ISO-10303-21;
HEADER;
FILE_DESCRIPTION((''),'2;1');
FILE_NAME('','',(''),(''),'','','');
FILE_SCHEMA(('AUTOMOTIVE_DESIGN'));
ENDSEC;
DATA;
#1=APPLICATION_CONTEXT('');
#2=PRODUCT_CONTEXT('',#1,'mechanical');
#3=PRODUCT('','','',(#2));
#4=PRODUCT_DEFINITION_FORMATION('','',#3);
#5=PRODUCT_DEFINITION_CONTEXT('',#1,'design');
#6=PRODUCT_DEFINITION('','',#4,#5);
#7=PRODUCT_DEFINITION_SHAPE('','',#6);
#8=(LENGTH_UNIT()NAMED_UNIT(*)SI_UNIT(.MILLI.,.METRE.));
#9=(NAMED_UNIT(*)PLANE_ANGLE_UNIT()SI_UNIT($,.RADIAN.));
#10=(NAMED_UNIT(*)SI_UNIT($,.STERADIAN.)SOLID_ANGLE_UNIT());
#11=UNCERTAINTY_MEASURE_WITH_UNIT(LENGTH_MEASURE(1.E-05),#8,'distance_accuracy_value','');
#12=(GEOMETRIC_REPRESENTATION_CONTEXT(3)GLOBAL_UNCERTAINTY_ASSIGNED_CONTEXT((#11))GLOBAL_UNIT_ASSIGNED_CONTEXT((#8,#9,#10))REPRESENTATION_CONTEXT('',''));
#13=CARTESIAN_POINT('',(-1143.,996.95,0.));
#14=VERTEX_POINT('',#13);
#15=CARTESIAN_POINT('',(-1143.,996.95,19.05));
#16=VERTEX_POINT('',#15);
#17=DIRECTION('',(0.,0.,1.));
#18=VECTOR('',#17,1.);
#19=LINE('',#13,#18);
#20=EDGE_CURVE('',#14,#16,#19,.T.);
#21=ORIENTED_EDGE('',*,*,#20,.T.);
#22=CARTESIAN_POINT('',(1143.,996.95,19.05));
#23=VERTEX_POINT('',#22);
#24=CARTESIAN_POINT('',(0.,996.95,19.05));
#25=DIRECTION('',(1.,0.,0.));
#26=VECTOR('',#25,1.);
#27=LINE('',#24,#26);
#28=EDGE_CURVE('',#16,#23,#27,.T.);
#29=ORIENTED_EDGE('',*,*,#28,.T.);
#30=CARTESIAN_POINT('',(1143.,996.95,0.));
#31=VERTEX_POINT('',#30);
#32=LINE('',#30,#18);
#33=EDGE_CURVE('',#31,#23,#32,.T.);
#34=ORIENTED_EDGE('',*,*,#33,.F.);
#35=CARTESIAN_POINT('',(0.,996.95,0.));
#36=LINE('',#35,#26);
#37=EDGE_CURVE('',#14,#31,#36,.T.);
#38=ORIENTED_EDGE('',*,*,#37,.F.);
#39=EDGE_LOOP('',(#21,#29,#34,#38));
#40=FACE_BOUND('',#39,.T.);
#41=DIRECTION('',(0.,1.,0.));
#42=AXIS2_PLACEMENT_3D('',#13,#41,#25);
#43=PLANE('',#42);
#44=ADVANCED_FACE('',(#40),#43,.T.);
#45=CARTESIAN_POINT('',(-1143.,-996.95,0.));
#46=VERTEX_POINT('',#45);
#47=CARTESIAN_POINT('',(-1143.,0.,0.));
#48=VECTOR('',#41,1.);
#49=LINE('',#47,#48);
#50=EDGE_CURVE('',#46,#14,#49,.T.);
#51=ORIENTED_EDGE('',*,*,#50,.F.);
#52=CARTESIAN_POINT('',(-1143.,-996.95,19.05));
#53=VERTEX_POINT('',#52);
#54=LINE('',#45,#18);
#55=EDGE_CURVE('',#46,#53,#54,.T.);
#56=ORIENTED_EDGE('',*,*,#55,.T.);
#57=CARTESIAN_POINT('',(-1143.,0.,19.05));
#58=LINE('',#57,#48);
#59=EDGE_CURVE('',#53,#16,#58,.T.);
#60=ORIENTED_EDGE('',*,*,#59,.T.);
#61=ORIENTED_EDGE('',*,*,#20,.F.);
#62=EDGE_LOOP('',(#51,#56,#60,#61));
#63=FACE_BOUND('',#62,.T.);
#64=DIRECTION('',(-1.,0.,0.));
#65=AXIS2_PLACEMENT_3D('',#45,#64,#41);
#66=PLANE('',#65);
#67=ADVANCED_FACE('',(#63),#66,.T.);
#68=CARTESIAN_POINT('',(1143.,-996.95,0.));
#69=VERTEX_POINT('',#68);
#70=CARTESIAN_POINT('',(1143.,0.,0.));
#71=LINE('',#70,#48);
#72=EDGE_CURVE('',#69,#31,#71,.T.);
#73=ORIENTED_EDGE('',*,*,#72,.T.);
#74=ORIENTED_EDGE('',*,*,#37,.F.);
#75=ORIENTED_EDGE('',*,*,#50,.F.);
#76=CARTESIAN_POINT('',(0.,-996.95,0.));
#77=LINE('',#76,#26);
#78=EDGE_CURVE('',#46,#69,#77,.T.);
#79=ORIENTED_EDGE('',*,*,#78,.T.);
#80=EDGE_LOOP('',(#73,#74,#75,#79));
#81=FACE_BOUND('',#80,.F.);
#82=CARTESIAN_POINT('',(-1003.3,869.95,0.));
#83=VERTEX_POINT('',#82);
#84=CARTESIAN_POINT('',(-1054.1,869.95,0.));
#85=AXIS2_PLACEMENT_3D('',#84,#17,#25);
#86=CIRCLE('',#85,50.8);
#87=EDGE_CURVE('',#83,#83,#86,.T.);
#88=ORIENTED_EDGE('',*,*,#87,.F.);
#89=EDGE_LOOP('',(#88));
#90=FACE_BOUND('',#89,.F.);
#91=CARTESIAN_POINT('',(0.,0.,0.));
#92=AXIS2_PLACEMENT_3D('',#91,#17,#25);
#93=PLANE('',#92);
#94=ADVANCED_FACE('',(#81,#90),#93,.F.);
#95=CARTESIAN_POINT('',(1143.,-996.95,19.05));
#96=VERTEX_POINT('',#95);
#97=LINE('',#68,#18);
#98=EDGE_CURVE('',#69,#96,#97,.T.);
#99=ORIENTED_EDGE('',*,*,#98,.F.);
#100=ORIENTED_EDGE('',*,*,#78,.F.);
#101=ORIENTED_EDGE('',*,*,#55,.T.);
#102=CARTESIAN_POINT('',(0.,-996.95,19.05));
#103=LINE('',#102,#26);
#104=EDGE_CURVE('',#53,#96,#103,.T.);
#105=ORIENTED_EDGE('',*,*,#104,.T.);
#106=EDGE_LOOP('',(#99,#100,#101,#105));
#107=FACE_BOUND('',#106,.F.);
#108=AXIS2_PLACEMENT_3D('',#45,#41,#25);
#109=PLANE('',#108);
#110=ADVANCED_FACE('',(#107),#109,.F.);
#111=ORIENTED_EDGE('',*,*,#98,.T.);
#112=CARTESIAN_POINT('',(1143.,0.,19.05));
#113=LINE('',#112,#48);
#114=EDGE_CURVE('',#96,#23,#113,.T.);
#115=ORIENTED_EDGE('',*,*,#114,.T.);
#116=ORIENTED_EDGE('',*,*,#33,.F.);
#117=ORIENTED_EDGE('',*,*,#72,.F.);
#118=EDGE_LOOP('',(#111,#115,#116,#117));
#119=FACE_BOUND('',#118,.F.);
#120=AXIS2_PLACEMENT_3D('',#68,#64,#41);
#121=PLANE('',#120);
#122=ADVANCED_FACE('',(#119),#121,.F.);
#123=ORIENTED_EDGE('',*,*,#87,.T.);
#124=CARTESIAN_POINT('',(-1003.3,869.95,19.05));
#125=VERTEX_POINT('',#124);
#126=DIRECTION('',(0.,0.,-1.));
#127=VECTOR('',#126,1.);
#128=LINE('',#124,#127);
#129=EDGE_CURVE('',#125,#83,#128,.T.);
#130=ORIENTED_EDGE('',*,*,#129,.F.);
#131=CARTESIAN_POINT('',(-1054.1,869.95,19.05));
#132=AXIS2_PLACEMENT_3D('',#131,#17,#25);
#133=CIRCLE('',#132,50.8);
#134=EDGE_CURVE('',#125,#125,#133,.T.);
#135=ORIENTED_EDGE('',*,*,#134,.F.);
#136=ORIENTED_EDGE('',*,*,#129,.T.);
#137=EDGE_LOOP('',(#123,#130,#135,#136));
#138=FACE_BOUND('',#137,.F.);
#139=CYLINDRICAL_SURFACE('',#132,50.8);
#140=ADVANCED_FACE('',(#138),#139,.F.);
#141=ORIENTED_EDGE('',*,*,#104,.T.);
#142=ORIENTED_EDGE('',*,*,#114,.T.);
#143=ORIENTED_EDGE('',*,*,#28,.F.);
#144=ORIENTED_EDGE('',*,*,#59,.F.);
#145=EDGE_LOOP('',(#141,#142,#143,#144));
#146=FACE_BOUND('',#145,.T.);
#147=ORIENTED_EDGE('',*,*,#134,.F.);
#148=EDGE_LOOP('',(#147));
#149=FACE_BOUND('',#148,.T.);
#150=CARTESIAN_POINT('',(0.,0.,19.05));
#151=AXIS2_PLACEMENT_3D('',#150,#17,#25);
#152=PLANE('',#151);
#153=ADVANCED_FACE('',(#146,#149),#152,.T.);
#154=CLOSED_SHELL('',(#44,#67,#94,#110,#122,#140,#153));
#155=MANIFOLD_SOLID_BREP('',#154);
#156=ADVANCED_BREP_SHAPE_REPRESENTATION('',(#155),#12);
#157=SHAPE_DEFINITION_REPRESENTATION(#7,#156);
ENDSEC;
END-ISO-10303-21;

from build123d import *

# Parameters (mm, degrees)
F0_W     = 2286
F0_H     = 1993.9
F1_DEPTH = 19.05
F2_W     = 2286
F2_H     = 1993.9
F2_R     = 50.8
F3_DEPTH = 19.051


with BuildPart() as f1:
    # F0 (on Top) → F1 (new body)
    with BuildSketch(Plane.XY):
        Rectangle(F0_W, F0_H)
    extrude(amount=F1_DEPTH)

    # F2 (on face) → F3 (intersect, through all)
    with BuildSketch(Plane.XY.offset(19.05)):
        Rectangle(F2_W, F2_H)
        with Locations((-1054.1, 869.95)):
            Circle(F2_R, mode=Mode.SUBTRACT)
    extrude(amount=-F3_DEPTH, mode=Mode.INTERSECT)


solid = f1.part
